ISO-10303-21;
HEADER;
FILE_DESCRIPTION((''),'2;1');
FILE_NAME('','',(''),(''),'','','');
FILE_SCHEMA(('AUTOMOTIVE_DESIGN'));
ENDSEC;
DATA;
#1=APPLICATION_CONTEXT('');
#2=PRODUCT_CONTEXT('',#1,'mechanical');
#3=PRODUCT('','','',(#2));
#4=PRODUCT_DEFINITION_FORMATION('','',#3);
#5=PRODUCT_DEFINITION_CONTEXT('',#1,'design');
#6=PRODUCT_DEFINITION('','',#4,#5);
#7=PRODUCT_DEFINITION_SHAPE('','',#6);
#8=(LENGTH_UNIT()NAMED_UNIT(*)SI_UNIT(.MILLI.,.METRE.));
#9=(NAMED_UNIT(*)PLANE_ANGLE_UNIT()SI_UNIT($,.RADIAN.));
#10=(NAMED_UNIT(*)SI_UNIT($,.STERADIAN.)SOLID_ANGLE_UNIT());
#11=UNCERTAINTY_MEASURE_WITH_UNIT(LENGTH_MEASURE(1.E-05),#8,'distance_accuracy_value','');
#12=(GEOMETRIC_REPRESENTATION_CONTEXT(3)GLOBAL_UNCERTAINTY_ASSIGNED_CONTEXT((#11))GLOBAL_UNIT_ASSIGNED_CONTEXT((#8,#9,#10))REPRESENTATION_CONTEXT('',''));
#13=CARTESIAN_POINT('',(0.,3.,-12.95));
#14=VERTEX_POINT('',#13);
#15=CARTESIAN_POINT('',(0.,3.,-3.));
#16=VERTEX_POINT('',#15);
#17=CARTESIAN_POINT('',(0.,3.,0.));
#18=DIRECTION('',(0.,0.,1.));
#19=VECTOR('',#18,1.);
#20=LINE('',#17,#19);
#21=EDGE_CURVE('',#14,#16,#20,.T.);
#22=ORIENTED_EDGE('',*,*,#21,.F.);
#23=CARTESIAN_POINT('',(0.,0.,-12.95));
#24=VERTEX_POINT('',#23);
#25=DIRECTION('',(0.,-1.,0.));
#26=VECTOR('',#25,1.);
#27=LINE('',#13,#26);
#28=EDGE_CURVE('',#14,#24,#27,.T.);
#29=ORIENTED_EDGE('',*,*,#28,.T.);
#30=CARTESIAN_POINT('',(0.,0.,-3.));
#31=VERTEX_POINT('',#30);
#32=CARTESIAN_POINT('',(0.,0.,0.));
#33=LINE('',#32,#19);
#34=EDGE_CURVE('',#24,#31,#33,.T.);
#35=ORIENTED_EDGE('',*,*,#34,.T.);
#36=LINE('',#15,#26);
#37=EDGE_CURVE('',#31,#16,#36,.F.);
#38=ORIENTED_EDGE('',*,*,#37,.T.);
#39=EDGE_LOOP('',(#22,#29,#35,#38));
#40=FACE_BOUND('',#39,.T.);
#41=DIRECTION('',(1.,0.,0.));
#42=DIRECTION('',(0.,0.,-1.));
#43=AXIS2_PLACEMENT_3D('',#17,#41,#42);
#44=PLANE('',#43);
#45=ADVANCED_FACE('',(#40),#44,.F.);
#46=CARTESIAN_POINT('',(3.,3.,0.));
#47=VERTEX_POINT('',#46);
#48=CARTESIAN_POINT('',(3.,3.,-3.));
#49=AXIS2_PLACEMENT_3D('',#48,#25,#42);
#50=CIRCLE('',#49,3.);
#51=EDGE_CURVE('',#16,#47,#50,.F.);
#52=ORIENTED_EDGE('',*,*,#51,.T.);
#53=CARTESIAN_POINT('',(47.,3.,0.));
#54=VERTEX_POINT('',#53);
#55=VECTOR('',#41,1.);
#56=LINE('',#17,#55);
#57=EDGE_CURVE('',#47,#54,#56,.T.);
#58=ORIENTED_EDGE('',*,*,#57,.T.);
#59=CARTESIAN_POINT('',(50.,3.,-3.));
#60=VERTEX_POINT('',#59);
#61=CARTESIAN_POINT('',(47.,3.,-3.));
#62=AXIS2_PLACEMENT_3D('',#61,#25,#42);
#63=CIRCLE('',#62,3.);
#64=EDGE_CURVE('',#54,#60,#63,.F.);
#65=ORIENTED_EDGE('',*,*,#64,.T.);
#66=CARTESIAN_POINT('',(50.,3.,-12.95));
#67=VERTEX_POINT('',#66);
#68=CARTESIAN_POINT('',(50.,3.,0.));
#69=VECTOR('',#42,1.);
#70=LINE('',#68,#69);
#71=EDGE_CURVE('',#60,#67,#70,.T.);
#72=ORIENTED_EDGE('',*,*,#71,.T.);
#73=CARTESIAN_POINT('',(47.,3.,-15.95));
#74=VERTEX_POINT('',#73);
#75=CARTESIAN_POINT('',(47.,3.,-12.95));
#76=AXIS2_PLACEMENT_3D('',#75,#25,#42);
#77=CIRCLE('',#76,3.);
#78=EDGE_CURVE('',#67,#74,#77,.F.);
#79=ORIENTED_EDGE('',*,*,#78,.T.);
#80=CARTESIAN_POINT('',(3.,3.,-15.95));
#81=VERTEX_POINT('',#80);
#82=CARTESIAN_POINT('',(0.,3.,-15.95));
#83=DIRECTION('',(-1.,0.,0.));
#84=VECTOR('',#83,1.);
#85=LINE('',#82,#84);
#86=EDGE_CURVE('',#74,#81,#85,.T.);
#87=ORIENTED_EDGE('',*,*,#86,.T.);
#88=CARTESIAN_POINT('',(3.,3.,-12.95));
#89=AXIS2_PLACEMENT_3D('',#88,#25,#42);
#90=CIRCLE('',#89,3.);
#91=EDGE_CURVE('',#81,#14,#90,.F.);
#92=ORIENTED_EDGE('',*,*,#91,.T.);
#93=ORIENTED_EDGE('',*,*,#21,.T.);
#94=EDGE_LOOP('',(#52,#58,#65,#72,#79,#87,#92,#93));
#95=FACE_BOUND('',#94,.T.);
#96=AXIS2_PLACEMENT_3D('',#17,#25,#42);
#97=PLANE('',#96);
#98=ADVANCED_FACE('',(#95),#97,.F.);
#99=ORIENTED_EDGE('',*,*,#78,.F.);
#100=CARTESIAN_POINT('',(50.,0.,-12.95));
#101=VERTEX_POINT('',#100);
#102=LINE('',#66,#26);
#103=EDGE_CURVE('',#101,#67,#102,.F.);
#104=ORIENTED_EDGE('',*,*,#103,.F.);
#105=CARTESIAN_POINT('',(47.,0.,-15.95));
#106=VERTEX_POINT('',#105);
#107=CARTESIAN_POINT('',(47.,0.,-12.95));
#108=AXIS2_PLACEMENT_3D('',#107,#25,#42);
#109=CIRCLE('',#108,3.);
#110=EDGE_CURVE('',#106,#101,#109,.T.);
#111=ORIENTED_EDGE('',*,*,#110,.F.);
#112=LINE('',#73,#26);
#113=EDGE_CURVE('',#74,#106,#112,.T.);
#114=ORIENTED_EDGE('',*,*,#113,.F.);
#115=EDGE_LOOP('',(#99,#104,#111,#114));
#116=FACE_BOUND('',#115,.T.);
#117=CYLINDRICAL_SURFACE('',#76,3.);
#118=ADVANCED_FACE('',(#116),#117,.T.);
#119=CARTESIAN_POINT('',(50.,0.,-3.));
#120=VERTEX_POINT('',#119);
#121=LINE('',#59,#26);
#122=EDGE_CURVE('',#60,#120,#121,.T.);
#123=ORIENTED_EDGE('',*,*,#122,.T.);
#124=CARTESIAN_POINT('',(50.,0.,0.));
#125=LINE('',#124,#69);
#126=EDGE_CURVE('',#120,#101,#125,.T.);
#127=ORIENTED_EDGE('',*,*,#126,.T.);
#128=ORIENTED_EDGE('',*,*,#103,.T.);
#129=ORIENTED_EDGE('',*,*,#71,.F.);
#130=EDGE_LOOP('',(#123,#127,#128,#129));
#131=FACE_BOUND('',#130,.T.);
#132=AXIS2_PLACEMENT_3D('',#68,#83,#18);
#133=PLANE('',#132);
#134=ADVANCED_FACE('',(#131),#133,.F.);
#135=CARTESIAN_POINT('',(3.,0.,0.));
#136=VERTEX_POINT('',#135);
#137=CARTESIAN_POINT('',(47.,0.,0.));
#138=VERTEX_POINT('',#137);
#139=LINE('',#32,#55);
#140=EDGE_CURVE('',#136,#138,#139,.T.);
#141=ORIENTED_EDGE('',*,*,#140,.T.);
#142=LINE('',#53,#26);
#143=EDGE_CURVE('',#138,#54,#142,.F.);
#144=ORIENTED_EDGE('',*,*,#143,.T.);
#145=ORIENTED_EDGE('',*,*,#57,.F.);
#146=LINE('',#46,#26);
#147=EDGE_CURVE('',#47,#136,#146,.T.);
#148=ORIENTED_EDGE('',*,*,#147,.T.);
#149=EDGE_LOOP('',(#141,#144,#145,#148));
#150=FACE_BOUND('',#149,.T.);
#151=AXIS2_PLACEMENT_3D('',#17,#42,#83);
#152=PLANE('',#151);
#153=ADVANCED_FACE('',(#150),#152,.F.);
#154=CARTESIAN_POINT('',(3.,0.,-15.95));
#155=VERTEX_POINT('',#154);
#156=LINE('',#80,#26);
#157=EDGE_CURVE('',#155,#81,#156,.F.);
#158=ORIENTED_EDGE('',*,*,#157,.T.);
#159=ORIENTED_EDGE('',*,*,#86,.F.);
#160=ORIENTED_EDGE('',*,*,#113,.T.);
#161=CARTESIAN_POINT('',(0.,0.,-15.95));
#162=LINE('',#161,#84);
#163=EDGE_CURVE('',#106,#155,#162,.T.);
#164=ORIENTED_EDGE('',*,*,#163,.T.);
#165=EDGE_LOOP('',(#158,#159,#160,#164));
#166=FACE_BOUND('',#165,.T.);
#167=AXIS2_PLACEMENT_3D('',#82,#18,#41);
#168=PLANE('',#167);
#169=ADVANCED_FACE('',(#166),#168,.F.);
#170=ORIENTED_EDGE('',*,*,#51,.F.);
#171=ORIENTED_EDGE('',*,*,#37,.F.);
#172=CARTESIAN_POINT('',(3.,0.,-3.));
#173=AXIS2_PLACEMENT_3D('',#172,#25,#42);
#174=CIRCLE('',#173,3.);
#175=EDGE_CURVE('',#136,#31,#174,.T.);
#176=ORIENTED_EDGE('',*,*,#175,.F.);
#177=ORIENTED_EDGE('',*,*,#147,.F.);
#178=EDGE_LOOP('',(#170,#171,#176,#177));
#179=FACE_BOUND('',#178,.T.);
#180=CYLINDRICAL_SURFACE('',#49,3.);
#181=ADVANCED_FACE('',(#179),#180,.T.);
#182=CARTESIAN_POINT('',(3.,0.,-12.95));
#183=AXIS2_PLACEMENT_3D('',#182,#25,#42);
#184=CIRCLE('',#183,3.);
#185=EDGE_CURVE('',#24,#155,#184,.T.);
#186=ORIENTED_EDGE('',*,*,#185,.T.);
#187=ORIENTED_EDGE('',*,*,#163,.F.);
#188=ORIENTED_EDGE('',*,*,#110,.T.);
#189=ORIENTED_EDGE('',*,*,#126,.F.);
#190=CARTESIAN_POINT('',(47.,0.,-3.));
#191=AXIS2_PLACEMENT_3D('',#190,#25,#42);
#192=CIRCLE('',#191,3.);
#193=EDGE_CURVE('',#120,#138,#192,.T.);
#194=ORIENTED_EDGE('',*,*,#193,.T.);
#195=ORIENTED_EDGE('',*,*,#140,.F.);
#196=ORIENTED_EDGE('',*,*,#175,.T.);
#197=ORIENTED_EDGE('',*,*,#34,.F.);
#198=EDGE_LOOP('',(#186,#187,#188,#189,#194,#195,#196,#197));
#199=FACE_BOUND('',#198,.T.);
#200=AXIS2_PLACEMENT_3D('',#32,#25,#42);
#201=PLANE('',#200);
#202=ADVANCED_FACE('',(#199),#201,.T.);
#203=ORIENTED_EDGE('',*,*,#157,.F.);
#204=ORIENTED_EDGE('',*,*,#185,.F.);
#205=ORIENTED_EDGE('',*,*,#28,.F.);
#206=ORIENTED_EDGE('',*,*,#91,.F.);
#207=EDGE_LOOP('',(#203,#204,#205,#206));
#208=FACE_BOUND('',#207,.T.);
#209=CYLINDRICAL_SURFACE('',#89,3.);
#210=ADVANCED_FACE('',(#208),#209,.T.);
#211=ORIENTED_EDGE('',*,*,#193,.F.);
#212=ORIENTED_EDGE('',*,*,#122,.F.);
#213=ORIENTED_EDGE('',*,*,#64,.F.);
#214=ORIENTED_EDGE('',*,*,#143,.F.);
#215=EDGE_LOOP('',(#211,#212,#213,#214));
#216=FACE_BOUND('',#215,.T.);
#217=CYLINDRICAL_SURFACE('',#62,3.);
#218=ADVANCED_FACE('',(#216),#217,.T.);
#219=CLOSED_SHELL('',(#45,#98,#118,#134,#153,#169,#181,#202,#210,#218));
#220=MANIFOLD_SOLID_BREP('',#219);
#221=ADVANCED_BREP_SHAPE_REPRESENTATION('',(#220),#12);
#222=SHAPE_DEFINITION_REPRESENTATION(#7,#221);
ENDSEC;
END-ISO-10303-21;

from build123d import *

# Parameters (mm, degrees)
SKETCH1_W           = 50
SKETCH1_H           = 15.95
BOSS_EXTRUDE1_DEPTH = 3
FILLET1_R           = 3


with BuildPart() as part:
    # Sketch1 → Boss-Extrude1 (new body)
    with BuildSketch(Plane(origin=(0, 0, 0), x_dir=(1, 0, 0), z_dir=(0, 1, 0))):
        with Locations((25, 7.975)):
            Rectangle(SKETCH1_W, SKETCH1_H)
    extrude(amount=BOSS_EXTRUDE1_DEPTH)

    # Fillet1
    fillet1_edges = [part.edges().sort_by_distance(p)[0] for p in [
        (0, 1.5, -15.95),
        (50, 1.5, -15.95),
        (50, 1.5, 0),
        (0, 1.5, 0),
    ]]
    fillet(fillet1_edges, radius=FILLET1_R)


solid = part.part
